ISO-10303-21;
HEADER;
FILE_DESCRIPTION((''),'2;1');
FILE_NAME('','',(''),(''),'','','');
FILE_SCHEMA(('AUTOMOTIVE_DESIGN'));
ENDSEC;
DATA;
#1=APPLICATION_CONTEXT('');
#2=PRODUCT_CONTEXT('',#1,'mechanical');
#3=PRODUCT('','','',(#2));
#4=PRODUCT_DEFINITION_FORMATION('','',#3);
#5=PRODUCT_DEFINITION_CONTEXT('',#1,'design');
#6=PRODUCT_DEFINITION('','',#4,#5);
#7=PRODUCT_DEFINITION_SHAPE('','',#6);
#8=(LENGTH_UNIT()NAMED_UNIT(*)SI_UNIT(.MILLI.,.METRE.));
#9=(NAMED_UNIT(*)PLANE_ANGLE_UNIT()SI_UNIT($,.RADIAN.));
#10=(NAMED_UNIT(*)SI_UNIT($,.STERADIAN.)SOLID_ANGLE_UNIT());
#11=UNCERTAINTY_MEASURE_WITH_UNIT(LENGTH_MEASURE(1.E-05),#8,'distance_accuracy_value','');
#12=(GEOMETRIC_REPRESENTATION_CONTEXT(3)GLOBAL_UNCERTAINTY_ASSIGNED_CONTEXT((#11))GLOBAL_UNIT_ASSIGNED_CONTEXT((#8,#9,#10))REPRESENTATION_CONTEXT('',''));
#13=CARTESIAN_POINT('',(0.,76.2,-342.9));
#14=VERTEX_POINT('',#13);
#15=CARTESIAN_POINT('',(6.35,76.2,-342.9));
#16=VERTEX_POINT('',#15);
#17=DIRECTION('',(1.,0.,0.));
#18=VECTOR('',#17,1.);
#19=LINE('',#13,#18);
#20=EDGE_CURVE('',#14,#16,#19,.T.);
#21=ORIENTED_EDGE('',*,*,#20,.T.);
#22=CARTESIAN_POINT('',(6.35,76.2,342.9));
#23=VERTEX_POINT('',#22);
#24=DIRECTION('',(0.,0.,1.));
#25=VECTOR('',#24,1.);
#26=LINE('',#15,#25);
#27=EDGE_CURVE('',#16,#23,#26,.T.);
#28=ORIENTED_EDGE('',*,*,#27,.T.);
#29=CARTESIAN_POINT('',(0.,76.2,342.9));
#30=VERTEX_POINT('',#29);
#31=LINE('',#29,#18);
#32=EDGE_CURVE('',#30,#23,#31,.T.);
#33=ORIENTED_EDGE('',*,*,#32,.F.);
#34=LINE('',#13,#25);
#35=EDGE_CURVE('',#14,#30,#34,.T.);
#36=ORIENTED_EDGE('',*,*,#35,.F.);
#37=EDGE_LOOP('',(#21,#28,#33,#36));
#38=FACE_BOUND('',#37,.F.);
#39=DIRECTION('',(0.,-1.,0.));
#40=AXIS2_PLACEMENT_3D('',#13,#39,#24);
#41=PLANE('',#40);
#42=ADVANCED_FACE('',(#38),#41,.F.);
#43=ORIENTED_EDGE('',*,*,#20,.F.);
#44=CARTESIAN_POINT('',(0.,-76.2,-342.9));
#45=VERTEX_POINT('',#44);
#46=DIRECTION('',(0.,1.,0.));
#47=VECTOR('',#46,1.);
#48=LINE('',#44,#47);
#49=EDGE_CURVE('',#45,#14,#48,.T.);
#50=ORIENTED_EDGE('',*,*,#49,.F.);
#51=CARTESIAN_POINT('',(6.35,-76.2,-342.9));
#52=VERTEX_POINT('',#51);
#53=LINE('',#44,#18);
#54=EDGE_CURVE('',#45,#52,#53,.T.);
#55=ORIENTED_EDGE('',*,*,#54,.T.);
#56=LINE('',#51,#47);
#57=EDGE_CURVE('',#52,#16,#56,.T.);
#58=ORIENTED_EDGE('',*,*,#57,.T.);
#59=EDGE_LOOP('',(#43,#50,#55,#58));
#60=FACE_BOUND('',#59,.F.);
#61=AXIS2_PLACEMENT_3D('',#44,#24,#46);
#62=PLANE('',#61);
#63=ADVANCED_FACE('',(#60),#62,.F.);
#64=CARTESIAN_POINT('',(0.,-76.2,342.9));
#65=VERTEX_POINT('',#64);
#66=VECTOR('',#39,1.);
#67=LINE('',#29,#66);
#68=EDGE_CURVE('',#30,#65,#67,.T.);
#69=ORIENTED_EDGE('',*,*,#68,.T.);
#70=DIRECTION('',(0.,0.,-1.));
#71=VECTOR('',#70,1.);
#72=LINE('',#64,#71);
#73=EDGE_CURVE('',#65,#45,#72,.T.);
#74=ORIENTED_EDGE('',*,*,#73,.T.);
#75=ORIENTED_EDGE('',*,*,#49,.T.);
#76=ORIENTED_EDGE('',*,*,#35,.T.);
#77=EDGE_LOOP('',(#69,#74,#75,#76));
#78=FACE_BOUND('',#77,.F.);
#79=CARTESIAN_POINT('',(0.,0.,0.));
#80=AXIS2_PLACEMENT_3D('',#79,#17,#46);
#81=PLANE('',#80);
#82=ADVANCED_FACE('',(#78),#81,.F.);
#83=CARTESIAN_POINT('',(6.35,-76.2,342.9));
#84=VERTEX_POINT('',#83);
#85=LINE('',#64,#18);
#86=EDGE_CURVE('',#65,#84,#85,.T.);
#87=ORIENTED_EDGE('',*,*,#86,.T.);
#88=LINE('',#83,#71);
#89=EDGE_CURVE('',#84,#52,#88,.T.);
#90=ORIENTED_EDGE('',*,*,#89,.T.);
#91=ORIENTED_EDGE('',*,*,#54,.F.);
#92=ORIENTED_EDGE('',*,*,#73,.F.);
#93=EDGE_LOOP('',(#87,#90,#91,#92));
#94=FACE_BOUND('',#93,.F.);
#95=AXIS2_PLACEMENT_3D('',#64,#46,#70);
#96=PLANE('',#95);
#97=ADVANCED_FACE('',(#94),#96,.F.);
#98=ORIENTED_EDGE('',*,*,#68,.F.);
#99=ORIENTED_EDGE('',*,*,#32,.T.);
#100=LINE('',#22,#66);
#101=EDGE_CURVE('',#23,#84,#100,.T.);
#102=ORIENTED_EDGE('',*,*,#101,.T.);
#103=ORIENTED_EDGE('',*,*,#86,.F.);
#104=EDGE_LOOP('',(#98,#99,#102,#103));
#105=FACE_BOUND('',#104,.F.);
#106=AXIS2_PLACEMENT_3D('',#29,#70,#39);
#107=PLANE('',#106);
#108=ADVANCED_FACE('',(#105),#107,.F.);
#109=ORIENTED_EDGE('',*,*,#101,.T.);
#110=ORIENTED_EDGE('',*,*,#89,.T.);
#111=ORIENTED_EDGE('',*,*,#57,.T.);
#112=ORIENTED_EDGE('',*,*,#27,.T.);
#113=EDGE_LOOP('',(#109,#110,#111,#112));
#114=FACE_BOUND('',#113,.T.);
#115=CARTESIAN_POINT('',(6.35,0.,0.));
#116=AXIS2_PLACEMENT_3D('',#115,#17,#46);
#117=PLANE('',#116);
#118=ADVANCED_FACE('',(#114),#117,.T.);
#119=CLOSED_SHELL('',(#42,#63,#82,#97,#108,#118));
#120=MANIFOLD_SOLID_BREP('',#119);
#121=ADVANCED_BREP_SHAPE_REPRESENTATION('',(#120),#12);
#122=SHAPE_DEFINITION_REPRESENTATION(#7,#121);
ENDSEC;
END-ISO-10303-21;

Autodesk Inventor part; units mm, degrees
ref_plane "YZ Plane" through (0, 0, 0) normal (1, 0, 0) x (0, 1, 0)
ref_plane "XZ Plane" through (0, 0, 0) normal (0, 1, 0) x (-1, 0, 0)
ref_plane "XY Plane" through (0, 0, 0) normal (0, 0, 1) x (1, 0, 0)
sketch "Sketch1" plane through (0, 0, 0) normal (1, 0, 0) x (0, 1, 0)
  line L0 (-76.2, 342.9) -> (-76.2, -342.9)
  line L1 (-76.2, -342.9) -> (76.2, -342.9)
  line L2 (76.2, -342.9) -> (76.2, 342.9)
  line L3 (76.2, 342.9) -> (-76.2, 342.9)
  line L4 (-76.2, 342.9) -> (76.2, -342.9) construction
  line L5 (-76.2, -342.9) -> (76.2, 342.9) construction
  point P0 (0, 0)
  dimension "width" = 685.8
  dimension "height" = 152.4
extrude "Extrusion1" add sketch "Sketch1" along normal blind 6.35
properties part number "6 x 27 x 1_4" material "Aluminum 6061"
